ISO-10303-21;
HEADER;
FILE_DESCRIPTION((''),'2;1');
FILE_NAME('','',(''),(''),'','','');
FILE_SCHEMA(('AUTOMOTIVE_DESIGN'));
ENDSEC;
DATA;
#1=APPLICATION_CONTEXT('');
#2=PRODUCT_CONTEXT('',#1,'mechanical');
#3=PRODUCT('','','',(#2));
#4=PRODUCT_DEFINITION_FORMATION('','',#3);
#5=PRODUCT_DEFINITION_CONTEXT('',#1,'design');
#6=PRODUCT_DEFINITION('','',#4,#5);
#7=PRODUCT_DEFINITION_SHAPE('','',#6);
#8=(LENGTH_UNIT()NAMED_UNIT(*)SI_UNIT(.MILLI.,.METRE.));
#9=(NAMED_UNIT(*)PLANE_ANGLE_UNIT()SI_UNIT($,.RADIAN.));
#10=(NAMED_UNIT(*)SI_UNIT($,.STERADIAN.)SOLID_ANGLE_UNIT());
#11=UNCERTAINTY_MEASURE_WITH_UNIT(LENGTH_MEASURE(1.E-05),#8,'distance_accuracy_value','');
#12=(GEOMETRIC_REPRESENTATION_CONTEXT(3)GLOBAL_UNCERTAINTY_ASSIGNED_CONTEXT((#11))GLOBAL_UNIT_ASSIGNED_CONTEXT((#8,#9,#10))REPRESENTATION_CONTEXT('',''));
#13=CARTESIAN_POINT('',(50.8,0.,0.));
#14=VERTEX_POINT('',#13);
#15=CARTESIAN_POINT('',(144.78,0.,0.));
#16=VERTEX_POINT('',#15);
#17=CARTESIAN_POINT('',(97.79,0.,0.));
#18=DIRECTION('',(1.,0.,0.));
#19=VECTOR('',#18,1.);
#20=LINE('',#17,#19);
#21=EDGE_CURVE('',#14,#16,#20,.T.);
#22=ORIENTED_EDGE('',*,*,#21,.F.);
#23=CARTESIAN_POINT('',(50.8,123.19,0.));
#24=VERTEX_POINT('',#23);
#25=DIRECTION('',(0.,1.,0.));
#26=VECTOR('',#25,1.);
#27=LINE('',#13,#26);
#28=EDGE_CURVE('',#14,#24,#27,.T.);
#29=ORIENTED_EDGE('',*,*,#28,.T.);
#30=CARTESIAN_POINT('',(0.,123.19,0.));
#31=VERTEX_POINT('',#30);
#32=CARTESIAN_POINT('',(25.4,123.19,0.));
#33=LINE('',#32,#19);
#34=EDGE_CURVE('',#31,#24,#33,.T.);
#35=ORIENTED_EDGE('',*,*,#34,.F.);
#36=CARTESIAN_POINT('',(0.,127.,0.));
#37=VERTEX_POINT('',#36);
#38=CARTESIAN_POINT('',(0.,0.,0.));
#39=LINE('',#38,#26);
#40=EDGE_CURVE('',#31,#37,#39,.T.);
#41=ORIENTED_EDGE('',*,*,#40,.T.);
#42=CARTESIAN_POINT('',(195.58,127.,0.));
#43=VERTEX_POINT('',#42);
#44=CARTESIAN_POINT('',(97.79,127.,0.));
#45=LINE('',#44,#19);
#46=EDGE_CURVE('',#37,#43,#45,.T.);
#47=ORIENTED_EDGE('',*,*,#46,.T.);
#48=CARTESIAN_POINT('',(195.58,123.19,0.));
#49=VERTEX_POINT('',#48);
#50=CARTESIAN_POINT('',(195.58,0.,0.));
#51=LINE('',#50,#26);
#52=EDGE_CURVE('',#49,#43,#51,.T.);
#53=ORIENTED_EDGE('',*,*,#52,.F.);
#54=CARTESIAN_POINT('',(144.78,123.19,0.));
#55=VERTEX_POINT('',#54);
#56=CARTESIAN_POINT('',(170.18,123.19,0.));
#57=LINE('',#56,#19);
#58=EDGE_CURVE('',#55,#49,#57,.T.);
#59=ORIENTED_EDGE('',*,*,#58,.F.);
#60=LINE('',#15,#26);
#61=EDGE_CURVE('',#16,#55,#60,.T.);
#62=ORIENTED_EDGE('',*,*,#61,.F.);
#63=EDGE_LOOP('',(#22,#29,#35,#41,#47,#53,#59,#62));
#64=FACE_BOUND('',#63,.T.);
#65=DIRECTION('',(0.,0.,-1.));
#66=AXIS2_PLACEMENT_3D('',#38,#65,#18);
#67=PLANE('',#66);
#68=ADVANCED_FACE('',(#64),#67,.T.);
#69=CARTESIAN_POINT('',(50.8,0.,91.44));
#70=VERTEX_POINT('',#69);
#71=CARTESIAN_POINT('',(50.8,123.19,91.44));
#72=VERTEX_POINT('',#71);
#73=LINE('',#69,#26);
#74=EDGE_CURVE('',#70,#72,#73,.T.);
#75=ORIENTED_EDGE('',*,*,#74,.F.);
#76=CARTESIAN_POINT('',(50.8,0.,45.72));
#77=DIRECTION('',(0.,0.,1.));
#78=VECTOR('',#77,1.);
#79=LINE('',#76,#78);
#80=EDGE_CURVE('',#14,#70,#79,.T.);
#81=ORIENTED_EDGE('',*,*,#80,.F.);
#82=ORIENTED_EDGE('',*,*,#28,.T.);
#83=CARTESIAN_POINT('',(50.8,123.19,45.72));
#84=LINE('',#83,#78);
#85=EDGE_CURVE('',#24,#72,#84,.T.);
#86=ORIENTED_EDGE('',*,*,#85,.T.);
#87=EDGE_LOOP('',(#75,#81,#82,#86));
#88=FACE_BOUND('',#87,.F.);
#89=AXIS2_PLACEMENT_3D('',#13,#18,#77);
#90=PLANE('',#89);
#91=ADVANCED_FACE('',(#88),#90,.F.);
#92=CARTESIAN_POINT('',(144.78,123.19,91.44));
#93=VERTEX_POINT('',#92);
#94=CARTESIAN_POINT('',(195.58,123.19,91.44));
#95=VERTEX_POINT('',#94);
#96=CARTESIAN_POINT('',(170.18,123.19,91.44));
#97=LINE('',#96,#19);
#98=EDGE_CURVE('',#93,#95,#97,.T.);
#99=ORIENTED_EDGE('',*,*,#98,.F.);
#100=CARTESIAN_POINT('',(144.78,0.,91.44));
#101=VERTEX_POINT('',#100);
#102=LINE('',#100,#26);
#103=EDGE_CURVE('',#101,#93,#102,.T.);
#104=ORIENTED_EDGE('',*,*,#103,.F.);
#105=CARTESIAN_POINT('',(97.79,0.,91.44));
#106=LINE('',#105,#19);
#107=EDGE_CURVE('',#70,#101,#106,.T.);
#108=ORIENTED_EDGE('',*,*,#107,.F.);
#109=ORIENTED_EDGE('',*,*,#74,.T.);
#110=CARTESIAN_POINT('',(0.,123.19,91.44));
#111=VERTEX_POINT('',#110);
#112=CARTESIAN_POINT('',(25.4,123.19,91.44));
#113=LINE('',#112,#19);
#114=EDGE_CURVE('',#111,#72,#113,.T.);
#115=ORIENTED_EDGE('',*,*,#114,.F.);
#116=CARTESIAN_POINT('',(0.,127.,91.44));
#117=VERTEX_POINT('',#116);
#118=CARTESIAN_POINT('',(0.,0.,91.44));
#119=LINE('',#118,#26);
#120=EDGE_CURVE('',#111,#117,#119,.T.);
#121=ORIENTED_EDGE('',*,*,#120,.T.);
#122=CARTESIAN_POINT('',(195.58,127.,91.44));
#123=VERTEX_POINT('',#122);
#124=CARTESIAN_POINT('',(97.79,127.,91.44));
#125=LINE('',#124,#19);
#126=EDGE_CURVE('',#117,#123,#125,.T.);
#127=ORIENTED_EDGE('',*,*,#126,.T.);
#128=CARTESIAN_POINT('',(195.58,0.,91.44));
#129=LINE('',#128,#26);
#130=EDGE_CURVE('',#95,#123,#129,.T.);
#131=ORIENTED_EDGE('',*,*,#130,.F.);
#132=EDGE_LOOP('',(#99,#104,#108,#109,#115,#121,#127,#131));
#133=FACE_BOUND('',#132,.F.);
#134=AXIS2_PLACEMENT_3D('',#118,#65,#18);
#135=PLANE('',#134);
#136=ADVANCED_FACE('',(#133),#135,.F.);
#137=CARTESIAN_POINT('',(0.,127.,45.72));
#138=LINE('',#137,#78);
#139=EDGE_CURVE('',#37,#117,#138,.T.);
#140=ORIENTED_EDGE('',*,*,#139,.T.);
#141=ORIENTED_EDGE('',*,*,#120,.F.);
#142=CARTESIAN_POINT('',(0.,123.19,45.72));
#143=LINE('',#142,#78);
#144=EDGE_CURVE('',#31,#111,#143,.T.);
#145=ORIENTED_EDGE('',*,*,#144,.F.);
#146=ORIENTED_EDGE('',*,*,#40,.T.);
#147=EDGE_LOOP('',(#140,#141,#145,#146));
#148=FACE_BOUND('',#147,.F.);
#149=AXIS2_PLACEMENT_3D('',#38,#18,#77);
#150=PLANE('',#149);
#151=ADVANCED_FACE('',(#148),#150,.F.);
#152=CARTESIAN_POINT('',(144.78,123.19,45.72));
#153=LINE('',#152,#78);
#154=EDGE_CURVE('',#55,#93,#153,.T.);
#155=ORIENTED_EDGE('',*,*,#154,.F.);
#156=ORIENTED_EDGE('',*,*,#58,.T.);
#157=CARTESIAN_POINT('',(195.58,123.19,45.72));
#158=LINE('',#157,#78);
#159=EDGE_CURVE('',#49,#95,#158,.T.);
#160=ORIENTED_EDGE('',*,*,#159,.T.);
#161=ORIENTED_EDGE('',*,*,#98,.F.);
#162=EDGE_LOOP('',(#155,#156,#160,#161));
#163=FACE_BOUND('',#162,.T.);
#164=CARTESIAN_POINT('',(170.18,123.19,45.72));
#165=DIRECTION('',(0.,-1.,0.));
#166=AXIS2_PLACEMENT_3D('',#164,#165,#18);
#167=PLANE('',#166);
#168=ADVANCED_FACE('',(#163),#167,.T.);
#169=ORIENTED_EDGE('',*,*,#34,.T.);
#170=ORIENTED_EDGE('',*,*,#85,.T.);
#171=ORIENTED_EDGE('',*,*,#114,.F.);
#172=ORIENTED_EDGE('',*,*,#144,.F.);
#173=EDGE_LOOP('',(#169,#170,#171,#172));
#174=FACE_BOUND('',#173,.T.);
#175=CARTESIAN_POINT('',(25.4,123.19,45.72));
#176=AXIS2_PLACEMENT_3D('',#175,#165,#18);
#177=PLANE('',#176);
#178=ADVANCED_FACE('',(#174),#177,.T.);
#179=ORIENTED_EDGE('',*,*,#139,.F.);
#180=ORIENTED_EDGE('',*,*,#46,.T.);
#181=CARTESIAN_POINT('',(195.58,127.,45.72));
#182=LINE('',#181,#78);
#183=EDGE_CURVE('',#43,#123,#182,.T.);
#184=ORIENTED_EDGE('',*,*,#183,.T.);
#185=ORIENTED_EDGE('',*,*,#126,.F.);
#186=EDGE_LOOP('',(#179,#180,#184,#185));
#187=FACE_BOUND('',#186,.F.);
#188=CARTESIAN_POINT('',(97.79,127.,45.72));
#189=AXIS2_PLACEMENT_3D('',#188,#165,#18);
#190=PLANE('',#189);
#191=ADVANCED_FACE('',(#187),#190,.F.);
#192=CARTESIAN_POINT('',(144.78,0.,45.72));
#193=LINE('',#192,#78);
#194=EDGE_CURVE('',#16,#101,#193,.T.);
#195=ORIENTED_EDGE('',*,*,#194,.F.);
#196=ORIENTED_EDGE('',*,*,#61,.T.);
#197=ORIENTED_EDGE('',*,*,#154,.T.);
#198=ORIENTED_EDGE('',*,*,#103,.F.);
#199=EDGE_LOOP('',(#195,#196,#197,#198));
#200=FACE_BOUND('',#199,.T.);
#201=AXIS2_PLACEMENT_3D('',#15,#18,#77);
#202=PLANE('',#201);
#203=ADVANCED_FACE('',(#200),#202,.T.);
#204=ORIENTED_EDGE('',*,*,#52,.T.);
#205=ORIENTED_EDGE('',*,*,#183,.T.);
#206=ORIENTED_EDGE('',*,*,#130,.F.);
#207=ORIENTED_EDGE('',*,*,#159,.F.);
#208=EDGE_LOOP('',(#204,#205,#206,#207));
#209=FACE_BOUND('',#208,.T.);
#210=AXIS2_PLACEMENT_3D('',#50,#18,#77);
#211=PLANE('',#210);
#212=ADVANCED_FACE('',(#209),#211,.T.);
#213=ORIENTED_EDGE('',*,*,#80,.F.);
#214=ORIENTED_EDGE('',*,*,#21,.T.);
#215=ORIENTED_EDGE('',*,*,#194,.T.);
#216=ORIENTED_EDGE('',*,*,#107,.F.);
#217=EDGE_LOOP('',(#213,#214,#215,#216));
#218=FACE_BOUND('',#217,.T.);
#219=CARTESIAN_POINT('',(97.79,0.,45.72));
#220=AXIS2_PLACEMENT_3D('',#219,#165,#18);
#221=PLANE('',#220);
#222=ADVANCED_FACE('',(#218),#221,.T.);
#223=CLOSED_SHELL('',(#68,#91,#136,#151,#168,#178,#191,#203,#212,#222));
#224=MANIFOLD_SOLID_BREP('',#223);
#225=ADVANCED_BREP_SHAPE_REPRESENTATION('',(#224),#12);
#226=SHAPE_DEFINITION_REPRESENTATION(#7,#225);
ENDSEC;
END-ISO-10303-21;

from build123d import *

# Parameters (mm, degrees)
F0_W     = 195.58
F0_H     = 91.44
F1_DEPTH = 127
F2_W     = 50.8
F2_H     = 91.44
F3_DEPTH = 123.19


with BuildPart() as f1:
    # F0 (on Front) → F1 (new body)
    with BuildSketch(Plane.XZ):
        with Locations((97.79, 45.72)):
            Rectangle(F0_W, F0_H)
    extrude(amount=-F1_DEPTH)

    # F2 (on face) → F3 (cut)
    with BuildSketch(Plane.XZ):
        with Locations((25.4, 45.72)):
            Rectangle(F2_W, F2_H)
        with Locations((170.18, 45.72)):
            Rectangle(F2_W, F2_H)
    extrude(amount=-F3_DEPTH, mode=Mode.SUBTRACT)


solid = f1.part
